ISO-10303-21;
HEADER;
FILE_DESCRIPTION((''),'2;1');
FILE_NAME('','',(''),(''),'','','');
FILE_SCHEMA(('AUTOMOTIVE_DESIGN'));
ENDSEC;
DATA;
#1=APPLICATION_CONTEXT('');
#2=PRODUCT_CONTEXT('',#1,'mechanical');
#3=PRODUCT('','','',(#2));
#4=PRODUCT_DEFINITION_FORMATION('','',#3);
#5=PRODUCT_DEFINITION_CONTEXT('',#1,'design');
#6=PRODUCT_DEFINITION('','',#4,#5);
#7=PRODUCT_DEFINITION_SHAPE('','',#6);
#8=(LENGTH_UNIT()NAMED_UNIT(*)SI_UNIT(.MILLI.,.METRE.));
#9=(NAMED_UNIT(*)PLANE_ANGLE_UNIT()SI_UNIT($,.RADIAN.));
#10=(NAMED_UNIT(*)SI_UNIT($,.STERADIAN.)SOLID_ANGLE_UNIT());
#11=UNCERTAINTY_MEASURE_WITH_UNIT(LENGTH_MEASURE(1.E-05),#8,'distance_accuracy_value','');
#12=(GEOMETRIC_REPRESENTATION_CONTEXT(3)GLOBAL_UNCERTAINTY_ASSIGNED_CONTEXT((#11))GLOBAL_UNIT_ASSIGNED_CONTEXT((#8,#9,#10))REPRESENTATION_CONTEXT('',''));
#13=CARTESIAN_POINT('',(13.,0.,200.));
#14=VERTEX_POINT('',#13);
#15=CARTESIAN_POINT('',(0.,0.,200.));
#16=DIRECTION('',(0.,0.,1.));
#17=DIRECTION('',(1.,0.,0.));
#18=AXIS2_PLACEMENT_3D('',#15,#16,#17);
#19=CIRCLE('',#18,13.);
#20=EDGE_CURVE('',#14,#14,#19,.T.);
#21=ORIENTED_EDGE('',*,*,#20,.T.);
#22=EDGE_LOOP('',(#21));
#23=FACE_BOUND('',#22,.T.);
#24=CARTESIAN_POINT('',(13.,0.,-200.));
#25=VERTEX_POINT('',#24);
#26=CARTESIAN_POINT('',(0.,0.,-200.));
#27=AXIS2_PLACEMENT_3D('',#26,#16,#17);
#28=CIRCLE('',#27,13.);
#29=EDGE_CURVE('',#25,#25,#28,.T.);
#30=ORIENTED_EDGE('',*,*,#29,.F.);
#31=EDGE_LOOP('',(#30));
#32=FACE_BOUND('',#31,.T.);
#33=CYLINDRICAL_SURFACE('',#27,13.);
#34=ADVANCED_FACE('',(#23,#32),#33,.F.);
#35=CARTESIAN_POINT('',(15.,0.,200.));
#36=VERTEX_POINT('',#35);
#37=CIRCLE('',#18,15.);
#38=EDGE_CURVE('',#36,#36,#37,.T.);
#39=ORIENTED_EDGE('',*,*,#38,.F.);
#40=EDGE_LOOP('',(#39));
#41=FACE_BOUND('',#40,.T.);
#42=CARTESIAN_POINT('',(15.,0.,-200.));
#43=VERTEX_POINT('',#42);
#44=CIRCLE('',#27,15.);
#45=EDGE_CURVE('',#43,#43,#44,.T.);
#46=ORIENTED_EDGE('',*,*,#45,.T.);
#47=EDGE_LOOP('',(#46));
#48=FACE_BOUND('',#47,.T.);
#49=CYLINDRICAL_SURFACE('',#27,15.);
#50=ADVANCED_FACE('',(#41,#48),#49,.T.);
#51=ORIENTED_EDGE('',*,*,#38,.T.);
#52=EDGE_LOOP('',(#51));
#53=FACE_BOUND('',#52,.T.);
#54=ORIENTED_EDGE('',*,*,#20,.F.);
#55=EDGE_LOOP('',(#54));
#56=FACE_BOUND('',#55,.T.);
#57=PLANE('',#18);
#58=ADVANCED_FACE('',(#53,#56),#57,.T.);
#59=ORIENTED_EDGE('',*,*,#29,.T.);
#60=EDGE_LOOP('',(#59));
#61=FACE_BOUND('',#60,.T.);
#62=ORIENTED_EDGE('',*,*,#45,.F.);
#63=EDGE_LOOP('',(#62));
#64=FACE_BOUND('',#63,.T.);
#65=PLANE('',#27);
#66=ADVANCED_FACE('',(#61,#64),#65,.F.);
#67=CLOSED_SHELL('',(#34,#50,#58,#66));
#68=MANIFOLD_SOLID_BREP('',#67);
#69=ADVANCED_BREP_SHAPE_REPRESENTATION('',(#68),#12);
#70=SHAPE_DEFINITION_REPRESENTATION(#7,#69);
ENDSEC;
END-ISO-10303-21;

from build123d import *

# Parameters (mm, degrees)
BOSS_EXTRUDE1_DEPTH      = 200
BOSS_EXTRUDE1_DEPTH_BACK = 200
SKETCH1_R                = 15
SKETCH1_R_2              = 13


with BuildPart() as part:
    # Sketch1 → Boss-Extrude1 (new, two sides: drawn at the far end of the back side and taken through both)
    with BuildSketch(Plane.XY.offset(-BOSS_EXTRUDE1_DEPTH_BACK)):
        Circle(SKETCH1_R)
        Circle(SKETCH1_R_2, mode=Mode.SUBTRACT)
    extrude(amount=BOSS_EXTRUDE1_DEPTH + BOSS_EXTRUDE1_DEPTH_BACK)


solid = part.part
